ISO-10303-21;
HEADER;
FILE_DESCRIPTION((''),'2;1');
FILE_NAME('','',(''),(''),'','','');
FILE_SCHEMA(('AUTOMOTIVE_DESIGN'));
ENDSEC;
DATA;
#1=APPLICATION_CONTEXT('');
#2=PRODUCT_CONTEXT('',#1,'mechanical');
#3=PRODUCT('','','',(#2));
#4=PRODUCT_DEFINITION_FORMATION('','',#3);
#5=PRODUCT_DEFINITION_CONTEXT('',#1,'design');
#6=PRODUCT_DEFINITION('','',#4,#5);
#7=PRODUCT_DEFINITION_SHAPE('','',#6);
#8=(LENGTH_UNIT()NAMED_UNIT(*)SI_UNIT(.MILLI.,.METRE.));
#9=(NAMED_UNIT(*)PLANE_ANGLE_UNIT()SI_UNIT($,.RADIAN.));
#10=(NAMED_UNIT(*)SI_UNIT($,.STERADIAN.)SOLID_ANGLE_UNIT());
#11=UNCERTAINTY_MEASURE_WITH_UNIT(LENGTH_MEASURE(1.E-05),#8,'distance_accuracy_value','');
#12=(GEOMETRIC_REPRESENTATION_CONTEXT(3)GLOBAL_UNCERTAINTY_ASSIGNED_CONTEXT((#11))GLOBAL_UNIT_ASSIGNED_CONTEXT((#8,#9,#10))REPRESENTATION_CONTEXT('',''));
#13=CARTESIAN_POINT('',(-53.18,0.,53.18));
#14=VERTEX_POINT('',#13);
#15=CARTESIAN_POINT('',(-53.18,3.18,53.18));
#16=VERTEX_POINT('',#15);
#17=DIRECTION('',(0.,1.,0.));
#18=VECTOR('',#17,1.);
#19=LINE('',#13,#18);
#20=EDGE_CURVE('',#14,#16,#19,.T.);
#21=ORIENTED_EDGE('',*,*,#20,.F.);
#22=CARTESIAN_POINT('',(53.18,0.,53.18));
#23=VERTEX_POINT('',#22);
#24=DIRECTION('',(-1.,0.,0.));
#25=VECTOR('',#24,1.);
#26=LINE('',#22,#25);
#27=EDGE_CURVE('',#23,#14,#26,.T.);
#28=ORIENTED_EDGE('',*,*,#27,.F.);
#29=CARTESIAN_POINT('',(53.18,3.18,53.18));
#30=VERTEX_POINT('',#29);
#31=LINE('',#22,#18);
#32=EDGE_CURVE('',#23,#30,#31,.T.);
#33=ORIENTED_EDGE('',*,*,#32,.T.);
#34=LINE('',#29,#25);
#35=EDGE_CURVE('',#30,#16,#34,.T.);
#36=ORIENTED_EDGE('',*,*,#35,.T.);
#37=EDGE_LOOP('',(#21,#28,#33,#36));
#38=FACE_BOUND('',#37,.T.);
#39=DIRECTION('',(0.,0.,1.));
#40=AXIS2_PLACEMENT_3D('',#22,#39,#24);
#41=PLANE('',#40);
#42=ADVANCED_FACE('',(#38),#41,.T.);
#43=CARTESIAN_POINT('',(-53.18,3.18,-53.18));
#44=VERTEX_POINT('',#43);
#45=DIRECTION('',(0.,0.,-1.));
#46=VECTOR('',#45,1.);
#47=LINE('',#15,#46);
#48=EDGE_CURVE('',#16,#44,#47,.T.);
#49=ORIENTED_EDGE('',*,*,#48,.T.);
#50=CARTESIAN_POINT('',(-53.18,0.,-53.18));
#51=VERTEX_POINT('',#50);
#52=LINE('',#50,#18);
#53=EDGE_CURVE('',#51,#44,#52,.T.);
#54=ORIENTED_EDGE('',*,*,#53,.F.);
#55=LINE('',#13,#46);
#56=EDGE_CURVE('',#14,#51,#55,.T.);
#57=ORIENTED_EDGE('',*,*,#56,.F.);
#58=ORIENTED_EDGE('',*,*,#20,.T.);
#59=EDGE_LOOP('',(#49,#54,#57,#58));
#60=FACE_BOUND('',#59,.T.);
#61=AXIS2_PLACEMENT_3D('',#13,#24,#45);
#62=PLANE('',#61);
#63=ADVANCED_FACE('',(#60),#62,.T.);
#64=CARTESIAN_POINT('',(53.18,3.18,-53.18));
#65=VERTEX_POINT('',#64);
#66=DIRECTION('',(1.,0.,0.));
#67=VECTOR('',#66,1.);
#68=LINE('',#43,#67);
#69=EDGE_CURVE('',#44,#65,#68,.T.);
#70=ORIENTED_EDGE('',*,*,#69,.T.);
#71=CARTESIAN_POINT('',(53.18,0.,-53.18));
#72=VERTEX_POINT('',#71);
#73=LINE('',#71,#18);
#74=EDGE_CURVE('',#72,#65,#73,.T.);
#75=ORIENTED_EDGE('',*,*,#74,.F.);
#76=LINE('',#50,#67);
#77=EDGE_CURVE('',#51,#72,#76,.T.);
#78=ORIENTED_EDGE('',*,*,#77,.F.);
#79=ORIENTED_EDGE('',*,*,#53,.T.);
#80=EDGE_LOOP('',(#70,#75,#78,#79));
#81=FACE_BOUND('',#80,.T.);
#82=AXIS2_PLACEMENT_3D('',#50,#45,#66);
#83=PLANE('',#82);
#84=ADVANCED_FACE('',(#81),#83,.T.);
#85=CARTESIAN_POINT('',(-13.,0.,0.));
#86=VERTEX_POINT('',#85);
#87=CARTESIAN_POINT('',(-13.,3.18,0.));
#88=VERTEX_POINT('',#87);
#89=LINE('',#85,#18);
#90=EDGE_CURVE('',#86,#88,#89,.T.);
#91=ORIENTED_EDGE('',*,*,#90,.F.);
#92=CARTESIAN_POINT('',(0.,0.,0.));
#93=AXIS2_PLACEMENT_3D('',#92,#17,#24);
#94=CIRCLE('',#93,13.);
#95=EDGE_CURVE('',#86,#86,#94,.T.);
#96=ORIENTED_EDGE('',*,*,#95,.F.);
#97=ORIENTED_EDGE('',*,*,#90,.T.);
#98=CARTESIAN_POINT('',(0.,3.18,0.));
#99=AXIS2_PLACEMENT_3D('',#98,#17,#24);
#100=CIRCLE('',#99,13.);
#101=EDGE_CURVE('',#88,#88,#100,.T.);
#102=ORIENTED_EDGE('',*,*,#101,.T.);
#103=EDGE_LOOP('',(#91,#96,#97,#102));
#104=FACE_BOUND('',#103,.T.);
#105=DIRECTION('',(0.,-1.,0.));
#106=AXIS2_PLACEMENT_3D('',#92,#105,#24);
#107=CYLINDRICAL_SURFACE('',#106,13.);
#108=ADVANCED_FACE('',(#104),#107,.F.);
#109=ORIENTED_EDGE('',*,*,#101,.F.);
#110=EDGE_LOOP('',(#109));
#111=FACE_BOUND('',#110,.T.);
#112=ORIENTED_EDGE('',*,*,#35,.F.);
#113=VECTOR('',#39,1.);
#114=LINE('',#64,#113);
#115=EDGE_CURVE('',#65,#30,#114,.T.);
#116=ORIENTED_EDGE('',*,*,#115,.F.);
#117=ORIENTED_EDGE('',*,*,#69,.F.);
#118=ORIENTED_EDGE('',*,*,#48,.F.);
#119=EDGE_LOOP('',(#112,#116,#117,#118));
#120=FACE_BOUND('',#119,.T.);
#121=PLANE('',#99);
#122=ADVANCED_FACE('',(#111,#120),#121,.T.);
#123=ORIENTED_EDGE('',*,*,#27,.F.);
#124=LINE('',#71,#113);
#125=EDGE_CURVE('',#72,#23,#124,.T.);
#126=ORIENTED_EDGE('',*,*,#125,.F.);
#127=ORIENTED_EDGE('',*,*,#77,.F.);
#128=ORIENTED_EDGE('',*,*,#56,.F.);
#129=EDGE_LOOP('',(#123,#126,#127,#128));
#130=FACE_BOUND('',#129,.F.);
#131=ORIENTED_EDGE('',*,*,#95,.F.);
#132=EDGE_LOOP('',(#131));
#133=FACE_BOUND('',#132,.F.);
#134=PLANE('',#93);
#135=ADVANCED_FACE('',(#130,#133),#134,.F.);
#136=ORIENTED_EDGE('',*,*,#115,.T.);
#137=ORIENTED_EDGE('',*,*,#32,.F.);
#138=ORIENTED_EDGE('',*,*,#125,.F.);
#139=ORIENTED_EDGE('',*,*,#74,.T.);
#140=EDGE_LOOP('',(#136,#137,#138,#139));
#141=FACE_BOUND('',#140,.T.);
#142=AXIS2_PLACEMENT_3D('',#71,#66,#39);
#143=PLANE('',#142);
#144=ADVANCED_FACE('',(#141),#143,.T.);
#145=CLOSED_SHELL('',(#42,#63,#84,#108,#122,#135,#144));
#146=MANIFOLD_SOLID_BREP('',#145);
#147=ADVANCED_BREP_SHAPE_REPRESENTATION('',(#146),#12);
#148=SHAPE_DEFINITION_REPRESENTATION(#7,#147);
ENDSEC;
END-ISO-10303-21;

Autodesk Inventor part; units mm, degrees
ref_plane "YZ Plane" through (0, 0, 0) normal (1, 0, 0) x (0, 1, 0)
ref_plane "XZ Plane" through (0, 0, 0) normal (0, 1, 0) x (-1, 0, 0)
ref_plane "XY Plane" through (0, 0, 0) normal (0, 0, 1) x (1, 0, 0)
sketch "Sketch1" plane through (0, 0, 0) normal (0, 1, 0) x (-1, 0, 0)
  line L0 (-53.18, 53.18) -> (53.18, 53.18)
  line L1 (53.18, 53.18) -> (53.18, -53.18)
  line L2 (53.18, -53.18) -> (-53.18, -53.18)
  line L3 (-53.18, -53.18) -> (-53.18, 53.18)
  line L4 (-53.18, 53.18) -> (53.18, -53.18) construction
  line L5 (53.18, 53.18) -> (-53.18, -53.18) construction
  circle A0 centre (0, 0) radius 13
  dimension "d0" = 106.36
  dimension "d1" = 106.36
  dimension "d2" = 26
extrude "Extrusion1" add sketch "Sketch1" along normal blind 3.18
properties part number "Base_tapa"
